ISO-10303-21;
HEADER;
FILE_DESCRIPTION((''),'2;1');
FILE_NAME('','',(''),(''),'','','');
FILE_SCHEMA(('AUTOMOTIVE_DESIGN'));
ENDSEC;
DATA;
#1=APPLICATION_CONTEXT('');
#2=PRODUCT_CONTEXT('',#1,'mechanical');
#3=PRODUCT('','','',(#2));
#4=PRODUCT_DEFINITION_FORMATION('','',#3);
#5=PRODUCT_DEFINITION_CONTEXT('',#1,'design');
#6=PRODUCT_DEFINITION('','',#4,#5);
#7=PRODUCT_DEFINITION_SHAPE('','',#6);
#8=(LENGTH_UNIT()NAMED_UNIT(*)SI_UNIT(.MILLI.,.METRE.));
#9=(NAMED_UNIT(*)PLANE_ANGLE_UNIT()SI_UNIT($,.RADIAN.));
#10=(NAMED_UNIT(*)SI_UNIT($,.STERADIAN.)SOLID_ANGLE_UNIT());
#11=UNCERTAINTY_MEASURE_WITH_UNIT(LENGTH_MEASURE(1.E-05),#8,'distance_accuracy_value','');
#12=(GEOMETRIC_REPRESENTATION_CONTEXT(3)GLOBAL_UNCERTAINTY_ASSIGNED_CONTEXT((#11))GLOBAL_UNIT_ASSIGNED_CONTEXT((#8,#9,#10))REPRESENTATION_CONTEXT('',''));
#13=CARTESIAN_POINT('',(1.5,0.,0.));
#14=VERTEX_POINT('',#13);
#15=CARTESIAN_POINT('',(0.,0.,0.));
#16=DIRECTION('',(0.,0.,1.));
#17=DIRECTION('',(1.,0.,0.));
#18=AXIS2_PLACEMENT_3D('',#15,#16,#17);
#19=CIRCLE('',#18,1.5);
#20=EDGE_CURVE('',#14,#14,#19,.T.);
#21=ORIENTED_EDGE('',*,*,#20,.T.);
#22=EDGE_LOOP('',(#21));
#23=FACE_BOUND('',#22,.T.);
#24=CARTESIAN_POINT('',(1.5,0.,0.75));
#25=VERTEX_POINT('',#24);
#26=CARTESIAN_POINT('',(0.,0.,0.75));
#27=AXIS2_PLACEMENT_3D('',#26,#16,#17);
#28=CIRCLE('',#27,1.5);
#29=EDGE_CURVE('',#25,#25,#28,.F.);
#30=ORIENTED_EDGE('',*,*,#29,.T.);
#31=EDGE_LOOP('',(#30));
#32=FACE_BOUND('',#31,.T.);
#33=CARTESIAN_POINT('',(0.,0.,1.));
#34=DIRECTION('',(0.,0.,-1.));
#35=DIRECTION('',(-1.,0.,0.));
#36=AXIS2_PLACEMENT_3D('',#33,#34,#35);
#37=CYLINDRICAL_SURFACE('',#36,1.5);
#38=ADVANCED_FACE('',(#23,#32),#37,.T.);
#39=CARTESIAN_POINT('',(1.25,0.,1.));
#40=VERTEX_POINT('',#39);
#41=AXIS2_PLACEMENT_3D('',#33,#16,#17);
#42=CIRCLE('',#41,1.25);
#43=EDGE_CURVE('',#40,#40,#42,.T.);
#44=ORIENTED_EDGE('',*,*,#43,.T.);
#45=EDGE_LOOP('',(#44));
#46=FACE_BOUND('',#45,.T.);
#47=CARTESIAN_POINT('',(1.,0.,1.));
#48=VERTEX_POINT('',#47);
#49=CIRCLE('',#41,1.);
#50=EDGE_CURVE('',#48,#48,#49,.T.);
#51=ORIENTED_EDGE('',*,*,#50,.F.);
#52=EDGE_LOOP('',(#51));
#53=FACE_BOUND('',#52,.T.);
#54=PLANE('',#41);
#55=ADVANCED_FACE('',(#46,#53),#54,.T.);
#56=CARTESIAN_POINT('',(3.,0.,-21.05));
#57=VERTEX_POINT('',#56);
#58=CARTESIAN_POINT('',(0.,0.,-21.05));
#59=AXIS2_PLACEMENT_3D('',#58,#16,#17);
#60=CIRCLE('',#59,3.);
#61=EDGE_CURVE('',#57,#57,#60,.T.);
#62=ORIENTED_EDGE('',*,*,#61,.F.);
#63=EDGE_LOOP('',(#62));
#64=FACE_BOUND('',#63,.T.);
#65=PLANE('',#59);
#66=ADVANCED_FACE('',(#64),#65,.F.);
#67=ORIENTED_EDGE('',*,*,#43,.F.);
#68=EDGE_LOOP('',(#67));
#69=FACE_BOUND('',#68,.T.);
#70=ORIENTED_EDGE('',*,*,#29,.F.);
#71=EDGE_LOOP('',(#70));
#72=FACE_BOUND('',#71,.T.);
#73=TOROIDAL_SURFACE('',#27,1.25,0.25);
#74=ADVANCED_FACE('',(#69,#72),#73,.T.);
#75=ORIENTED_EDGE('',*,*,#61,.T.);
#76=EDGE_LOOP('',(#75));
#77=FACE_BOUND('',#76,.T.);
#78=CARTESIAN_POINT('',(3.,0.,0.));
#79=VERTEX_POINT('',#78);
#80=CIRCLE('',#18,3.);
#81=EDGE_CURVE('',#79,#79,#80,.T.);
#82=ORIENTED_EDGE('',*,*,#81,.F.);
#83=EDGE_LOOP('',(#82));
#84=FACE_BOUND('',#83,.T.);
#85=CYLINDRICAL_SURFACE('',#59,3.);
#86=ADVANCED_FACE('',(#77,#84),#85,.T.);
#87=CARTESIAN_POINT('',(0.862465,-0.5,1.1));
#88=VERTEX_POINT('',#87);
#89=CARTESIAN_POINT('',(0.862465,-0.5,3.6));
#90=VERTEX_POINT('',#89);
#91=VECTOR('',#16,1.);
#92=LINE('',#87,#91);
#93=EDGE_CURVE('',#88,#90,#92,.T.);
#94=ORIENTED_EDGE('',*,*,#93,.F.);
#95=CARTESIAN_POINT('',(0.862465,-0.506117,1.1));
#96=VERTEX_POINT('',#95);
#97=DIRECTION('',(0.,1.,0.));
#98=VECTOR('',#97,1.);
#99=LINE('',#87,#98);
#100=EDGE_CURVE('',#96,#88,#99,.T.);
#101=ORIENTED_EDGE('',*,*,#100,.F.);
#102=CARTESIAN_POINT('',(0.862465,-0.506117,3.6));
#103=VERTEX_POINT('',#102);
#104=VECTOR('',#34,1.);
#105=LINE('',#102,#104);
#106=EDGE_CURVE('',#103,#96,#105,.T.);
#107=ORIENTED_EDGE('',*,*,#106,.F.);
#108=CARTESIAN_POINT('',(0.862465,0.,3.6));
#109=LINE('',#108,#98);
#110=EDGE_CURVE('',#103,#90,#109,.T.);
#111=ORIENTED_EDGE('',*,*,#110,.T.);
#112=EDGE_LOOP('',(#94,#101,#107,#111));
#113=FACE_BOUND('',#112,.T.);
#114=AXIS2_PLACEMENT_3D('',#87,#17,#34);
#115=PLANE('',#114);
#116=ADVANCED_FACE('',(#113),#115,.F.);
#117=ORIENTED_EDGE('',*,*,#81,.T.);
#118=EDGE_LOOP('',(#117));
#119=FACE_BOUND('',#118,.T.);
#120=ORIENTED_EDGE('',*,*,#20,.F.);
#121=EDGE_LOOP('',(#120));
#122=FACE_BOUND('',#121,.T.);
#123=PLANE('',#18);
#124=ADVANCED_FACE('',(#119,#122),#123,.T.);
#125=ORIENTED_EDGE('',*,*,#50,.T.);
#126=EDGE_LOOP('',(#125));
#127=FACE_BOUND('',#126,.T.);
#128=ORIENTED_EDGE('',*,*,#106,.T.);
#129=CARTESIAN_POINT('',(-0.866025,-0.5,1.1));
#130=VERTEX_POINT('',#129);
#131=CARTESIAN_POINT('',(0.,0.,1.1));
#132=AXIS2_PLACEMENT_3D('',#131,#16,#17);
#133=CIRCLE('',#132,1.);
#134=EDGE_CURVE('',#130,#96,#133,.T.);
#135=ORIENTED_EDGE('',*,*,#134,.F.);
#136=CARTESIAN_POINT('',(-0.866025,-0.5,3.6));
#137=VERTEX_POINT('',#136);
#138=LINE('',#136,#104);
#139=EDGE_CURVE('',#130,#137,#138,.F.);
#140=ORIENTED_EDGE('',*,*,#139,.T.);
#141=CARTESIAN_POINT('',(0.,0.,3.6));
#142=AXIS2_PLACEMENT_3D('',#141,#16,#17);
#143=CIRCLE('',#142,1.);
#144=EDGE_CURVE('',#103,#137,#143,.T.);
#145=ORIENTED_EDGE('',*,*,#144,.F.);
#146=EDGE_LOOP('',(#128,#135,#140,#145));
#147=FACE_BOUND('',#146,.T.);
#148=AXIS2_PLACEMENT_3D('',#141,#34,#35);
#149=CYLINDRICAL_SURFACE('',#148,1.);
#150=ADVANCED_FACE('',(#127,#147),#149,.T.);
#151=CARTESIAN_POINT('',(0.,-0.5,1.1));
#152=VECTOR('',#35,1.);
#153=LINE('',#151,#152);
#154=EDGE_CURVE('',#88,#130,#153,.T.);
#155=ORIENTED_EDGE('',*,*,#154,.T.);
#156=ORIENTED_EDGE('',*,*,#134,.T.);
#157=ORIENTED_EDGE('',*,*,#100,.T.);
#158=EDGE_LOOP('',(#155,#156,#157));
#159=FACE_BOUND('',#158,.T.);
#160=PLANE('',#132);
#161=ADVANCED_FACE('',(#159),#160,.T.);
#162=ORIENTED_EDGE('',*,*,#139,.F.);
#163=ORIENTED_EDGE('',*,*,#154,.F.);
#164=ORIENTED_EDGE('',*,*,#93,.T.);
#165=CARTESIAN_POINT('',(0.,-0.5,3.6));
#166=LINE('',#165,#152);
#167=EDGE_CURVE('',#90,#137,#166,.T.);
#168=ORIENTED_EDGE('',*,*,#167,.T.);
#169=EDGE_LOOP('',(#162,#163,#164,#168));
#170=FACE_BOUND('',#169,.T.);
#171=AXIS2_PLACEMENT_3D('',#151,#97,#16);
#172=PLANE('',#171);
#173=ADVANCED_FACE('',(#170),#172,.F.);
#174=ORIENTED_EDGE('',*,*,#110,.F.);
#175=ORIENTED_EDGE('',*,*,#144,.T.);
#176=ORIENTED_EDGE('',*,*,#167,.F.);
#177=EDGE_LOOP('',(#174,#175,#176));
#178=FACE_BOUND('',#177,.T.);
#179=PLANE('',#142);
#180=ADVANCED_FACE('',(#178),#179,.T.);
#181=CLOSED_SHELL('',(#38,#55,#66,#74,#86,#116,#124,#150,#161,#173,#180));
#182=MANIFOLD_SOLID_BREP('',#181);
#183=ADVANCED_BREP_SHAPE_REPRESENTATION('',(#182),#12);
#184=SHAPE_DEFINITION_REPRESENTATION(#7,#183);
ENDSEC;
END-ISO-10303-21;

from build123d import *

# Parameters (mm, degrees)
SKETCH_1_R          = 3
EXTRUDE_1_DEPTH     = 21.05
SKETCH_2_R          = 1.5
EXTRUDE_2_DEPTH     = 1
SKETCH_3_R          = 1
EXTRUDE_3_DEPTH     = 2.6
CUT_EXTRUDE_1_DEPTH = 2.5
FILLET_1_R          = 0.25


with BuildPart() as part:
    # 草图1 → 凸台-拉伸1 (new body)
    with BuildSketch(Plane.XY):
        Circle(SKETCH_1_R)
    extrude(amount=-EXTRUDE_1_DEPTH)

    # 草图2 → 凸台-拉伸2 (add)
    with BuildSketch(Plane.XY):
        Circle(SKETCH_2_R)
    extrude(amount=EXTRUDE_2_DEPTH)

    # 草图3 → 凸台-拉伸3 (add)
    with BuildSketch(Plane.XY.offset(1)):
        Circle(SKETCH_3_R)
    extrude(amount=EXTRUDE_3_DEPTH)

    # 草图4 → 切除-拉伸1 (cut)
    with BuildSketch(Plane.XY.offset(3.6)):
        Polygon((0, -0.5), (0.862464595, -0.5), (0.862464595, -1), (0, -1), (-0.86936686, -1), (-0.86936686, -0.5), align=None)
    extrude(amount=-CUT_EXTRUDE_1_DEPTH, mode=Mode.SUBTRACT)

    # 圆角1
    fillet_1_edges = [part.edges().sort_by_distance(p)[0] for p in [
        (-1.5, 0, 1),
    ]]
    fillet(fillet_1_edges, radius=FILLET_1_R)


solid = part.part
